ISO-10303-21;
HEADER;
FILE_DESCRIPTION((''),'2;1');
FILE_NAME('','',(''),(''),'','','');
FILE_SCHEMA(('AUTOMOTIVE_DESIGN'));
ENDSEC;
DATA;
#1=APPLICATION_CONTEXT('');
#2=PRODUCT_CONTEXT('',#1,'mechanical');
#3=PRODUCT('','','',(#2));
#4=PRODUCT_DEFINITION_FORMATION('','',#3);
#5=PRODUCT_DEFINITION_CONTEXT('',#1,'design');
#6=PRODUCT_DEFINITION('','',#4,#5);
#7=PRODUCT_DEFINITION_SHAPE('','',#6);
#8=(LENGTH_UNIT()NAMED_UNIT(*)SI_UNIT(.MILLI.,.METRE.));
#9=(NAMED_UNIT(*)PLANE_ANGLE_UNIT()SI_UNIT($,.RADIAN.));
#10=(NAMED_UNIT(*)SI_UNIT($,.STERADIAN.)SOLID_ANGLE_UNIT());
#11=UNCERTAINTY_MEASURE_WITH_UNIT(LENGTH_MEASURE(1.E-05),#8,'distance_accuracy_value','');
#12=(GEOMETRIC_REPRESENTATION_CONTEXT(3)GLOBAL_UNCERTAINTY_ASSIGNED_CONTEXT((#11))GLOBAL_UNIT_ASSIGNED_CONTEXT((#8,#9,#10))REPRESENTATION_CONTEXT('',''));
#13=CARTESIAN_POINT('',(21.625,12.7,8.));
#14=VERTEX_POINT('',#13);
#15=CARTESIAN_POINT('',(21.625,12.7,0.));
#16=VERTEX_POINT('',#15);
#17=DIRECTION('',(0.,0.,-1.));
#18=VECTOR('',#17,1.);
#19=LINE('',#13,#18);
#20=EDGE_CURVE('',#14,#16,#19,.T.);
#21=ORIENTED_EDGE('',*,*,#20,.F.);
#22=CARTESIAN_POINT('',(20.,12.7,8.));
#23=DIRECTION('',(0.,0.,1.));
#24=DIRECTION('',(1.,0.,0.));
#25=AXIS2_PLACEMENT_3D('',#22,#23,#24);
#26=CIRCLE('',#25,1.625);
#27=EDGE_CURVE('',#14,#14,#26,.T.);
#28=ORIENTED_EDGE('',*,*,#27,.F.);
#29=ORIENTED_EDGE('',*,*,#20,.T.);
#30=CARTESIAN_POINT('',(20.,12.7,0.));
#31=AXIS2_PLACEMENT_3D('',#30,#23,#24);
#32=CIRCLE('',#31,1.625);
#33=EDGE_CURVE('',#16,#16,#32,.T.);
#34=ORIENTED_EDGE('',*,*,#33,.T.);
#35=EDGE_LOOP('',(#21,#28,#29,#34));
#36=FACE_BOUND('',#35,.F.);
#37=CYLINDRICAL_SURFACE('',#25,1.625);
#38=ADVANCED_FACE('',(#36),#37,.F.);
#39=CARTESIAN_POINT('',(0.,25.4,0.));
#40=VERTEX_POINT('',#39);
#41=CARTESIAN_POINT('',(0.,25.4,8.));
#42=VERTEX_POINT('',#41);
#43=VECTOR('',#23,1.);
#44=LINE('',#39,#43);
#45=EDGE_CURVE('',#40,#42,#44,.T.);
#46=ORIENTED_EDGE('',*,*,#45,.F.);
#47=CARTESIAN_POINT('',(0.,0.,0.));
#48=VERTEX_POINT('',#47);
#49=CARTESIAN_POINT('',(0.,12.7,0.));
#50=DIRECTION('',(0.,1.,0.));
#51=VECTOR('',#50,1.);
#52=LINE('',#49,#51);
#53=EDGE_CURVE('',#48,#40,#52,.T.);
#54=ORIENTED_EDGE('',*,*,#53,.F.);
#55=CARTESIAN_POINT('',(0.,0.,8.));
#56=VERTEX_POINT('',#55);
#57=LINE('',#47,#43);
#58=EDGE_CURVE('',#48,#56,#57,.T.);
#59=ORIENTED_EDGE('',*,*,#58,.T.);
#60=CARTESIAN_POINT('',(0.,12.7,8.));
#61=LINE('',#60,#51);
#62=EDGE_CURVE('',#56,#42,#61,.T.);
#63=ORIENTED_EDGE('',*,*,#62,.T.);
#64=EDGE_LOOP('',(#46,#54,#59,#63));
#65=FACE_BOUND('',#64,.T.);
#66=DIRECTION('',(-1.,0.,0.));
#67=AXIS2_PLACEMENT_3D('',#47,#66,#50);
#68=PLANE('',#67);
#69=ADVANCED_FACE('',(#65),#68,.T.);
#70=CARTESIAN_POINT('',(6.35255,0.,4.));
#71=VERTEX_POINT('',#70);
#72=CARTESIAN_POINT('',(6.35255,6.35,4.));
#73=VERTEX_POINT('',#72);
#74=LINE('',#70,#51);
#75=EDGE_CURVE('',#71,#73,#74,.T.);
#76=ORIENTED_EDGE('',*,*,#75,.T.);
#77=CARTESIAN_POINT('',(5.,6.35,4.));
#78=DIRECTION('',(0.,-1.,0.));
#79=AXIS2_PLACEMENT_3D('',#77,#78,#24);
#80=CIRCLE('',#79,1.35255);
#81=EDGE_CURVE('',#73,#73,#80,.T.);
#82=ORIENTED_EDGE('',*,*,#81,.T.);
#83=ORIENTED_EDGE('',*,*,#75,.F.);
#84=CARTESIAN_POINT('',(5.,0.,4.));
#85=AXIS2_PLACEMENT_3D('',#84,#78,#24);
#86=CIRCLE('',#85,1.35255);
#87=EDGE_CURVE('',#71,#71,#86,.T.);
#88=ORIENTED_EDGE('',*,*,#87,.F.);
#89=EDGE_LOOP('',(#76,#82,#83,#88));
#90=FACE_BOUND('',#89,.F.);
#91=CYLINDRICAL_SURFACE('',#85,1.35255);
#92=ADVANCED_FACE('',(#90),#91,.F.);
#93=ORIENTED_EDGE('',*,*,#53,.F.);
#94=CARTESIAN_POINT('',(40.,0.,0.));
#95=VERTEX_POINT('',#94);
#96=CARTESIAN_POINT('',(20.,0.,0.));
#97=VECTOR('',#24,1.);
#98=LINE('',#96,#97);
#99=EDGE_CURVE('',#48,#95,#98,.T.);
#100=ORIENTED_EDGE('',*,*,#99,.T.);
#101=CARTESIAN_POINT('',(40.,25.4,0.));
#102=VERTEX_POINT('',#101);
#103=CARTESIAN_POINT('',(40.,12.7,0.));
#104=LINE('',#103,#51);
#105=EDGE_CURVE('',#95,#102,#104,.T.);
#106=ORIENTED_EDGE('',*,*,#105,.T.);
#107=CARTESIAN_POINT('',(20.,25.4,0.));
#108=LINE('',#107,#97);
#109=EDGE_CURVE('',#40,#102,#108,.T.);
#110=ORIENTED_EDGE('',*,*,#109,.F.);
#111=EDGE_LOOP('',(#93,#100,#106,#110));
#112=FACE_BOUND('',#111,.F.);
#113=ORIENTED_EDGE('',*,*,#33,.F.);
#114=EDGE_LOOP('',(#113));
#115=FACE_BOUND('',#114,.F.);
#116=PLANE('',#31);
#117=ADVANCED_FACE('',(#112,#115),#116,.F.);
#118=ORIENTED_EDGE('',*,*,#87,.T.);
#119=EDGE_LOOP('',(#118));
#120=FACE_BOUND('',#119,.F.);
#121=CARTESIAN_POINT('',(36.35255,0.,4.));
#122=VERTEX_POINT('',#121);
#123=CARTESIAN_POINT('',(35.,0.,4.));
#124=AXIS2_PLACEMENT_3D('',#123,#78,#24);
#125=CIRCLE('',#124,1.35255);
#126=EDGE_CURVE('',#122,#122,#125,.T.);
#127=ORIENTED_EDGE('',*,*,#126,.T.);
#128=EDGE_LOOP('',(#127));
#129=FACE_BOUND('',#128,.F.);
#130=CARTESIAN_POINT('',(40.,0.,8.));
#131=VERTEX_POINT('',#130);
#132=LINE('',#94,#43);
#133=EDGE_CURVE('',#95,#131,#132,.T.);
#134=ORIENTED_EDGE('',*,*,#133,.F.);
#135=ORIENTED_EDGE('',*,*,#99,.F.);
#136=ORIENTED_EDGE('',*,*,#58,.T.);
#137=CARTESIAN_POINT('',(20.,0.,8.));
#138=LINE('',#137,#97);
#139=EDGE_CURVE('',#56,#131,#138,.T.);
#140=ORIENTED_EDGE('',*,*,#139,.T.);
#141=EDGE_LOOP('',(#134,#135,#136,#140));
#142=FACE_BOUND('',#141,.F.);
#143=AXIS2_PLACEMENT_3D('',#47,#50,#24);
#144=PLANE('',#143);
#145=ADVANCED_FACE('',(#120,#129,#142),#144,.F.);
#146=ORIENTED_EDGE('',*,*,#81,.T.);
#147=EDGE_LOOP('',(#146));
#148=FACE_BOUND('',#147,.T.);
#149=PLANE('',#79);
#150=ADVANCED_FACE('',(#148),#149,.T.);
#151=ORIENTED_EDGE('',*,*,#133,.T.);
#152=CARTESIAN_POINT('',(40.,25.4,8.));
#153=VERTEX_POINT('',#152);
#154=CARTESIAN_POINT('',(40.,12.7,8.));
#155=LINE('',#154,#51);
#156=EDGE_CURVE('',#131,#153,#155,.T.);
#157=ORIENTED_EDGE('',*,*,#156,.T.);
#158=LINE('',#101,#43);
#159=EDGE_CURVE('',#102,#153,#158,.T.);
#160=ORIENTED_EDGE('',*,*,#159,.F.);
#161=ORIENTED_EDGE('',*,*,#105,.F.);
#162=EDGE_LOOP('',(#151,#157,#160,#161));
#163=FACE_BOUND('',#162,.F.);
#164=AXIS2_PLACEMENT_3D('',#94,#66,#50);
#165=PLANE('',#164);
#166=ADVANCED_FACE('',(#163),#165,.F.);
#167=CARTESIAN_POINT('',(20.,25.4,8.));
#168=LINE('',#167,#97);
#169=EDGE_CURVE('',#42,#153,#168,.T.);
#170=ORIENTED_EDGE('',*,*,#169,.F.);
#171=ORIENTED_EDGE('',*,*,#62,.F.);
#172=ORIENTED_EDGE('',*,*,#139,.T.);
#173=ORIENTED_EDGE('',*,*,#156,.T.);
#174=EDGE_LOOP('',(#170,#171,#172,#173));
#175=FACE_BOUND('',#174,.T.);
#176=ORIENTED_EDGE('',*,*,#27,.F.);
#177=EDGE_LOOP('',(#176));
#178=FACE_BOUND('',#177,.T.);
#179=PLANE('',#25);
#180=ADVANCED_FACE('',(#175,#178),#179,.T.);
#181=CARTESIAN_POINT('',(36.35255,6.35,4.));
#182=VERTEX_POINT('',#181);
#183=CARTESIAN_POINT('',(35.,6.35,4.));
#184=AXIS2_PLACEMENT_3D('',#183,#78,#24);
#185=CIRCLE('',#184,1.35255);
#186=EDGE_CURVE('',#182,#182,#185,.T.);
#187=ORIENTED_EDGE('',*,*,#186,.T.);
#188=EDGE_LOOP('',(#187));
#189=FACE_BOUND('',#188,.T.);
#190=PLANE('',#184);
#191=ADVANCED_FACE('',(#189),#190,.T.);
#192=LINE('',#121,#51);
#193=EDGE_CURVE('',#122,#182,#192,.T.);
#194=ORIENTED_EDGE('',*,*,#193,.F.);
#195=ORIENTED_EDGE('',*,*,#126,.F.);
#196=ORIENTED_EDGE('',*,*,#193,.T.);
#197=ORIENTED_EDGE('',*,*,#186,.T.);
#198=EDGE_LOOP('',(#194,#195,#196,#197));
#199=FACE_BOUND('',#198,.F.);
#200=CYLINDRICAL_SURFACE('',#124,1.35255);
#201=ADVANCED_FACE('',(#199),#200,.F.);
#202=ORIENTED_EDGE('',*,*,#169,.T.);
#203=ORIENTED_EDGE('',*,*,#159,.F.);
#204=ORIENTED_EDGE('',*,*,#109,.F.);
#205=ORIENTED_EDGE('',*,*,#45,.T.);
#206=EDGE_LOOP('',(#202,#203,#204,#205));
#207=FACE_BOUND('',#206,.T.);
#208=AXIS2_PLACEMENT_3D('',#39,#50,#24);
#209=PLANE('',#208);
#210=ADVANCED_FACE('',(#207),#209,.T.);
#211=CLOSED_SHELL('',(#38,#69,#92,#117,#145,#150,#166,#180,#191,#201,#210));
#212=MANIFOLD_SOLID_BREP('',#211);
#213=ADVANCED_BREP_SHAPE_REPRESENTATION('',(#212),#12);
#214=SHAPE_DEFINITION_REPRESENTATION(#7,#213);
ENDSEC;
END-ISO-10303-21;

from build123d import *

# Parameters (mm, degrees)
F0_W     = 40
F0_H     = 25.4
F1_DEPTH = 8
F3_R     = 1.35255
F4_DEPTH = 6.35
F2_R     = 1.625
F5_DEPTH = 25.4


with BuildPart() as f1:
    # F0 (on Top) → F1 (new body)
    with BuildSketch(Plane.XY):
        with Locations((20, 12.7)):
            Rectangle(F0_W, F0_H)
    extrude(amount=F1_DEPTH)

    # F3 (on face) → F4 (cut)
    with BuildSketch(Plane.XZ):
        with Locations((5, 4)):
            Circle(F3_R)
        with Locations((35, 4)):
            Circle(F3_R)
    extrude(amount=-F4_DEPTH, mode=Mode.SUBTRACT)

    # F2 (on face) → F5 (cut)
    with BuildSketch(Plane.XY.offset(8)):
        with Locations((20, 12.7)):
            Circle(F2_R)
    extrude(amount=-F5_DEPTH, mode=Mode.SUBTRACT)


solid = f1.part
